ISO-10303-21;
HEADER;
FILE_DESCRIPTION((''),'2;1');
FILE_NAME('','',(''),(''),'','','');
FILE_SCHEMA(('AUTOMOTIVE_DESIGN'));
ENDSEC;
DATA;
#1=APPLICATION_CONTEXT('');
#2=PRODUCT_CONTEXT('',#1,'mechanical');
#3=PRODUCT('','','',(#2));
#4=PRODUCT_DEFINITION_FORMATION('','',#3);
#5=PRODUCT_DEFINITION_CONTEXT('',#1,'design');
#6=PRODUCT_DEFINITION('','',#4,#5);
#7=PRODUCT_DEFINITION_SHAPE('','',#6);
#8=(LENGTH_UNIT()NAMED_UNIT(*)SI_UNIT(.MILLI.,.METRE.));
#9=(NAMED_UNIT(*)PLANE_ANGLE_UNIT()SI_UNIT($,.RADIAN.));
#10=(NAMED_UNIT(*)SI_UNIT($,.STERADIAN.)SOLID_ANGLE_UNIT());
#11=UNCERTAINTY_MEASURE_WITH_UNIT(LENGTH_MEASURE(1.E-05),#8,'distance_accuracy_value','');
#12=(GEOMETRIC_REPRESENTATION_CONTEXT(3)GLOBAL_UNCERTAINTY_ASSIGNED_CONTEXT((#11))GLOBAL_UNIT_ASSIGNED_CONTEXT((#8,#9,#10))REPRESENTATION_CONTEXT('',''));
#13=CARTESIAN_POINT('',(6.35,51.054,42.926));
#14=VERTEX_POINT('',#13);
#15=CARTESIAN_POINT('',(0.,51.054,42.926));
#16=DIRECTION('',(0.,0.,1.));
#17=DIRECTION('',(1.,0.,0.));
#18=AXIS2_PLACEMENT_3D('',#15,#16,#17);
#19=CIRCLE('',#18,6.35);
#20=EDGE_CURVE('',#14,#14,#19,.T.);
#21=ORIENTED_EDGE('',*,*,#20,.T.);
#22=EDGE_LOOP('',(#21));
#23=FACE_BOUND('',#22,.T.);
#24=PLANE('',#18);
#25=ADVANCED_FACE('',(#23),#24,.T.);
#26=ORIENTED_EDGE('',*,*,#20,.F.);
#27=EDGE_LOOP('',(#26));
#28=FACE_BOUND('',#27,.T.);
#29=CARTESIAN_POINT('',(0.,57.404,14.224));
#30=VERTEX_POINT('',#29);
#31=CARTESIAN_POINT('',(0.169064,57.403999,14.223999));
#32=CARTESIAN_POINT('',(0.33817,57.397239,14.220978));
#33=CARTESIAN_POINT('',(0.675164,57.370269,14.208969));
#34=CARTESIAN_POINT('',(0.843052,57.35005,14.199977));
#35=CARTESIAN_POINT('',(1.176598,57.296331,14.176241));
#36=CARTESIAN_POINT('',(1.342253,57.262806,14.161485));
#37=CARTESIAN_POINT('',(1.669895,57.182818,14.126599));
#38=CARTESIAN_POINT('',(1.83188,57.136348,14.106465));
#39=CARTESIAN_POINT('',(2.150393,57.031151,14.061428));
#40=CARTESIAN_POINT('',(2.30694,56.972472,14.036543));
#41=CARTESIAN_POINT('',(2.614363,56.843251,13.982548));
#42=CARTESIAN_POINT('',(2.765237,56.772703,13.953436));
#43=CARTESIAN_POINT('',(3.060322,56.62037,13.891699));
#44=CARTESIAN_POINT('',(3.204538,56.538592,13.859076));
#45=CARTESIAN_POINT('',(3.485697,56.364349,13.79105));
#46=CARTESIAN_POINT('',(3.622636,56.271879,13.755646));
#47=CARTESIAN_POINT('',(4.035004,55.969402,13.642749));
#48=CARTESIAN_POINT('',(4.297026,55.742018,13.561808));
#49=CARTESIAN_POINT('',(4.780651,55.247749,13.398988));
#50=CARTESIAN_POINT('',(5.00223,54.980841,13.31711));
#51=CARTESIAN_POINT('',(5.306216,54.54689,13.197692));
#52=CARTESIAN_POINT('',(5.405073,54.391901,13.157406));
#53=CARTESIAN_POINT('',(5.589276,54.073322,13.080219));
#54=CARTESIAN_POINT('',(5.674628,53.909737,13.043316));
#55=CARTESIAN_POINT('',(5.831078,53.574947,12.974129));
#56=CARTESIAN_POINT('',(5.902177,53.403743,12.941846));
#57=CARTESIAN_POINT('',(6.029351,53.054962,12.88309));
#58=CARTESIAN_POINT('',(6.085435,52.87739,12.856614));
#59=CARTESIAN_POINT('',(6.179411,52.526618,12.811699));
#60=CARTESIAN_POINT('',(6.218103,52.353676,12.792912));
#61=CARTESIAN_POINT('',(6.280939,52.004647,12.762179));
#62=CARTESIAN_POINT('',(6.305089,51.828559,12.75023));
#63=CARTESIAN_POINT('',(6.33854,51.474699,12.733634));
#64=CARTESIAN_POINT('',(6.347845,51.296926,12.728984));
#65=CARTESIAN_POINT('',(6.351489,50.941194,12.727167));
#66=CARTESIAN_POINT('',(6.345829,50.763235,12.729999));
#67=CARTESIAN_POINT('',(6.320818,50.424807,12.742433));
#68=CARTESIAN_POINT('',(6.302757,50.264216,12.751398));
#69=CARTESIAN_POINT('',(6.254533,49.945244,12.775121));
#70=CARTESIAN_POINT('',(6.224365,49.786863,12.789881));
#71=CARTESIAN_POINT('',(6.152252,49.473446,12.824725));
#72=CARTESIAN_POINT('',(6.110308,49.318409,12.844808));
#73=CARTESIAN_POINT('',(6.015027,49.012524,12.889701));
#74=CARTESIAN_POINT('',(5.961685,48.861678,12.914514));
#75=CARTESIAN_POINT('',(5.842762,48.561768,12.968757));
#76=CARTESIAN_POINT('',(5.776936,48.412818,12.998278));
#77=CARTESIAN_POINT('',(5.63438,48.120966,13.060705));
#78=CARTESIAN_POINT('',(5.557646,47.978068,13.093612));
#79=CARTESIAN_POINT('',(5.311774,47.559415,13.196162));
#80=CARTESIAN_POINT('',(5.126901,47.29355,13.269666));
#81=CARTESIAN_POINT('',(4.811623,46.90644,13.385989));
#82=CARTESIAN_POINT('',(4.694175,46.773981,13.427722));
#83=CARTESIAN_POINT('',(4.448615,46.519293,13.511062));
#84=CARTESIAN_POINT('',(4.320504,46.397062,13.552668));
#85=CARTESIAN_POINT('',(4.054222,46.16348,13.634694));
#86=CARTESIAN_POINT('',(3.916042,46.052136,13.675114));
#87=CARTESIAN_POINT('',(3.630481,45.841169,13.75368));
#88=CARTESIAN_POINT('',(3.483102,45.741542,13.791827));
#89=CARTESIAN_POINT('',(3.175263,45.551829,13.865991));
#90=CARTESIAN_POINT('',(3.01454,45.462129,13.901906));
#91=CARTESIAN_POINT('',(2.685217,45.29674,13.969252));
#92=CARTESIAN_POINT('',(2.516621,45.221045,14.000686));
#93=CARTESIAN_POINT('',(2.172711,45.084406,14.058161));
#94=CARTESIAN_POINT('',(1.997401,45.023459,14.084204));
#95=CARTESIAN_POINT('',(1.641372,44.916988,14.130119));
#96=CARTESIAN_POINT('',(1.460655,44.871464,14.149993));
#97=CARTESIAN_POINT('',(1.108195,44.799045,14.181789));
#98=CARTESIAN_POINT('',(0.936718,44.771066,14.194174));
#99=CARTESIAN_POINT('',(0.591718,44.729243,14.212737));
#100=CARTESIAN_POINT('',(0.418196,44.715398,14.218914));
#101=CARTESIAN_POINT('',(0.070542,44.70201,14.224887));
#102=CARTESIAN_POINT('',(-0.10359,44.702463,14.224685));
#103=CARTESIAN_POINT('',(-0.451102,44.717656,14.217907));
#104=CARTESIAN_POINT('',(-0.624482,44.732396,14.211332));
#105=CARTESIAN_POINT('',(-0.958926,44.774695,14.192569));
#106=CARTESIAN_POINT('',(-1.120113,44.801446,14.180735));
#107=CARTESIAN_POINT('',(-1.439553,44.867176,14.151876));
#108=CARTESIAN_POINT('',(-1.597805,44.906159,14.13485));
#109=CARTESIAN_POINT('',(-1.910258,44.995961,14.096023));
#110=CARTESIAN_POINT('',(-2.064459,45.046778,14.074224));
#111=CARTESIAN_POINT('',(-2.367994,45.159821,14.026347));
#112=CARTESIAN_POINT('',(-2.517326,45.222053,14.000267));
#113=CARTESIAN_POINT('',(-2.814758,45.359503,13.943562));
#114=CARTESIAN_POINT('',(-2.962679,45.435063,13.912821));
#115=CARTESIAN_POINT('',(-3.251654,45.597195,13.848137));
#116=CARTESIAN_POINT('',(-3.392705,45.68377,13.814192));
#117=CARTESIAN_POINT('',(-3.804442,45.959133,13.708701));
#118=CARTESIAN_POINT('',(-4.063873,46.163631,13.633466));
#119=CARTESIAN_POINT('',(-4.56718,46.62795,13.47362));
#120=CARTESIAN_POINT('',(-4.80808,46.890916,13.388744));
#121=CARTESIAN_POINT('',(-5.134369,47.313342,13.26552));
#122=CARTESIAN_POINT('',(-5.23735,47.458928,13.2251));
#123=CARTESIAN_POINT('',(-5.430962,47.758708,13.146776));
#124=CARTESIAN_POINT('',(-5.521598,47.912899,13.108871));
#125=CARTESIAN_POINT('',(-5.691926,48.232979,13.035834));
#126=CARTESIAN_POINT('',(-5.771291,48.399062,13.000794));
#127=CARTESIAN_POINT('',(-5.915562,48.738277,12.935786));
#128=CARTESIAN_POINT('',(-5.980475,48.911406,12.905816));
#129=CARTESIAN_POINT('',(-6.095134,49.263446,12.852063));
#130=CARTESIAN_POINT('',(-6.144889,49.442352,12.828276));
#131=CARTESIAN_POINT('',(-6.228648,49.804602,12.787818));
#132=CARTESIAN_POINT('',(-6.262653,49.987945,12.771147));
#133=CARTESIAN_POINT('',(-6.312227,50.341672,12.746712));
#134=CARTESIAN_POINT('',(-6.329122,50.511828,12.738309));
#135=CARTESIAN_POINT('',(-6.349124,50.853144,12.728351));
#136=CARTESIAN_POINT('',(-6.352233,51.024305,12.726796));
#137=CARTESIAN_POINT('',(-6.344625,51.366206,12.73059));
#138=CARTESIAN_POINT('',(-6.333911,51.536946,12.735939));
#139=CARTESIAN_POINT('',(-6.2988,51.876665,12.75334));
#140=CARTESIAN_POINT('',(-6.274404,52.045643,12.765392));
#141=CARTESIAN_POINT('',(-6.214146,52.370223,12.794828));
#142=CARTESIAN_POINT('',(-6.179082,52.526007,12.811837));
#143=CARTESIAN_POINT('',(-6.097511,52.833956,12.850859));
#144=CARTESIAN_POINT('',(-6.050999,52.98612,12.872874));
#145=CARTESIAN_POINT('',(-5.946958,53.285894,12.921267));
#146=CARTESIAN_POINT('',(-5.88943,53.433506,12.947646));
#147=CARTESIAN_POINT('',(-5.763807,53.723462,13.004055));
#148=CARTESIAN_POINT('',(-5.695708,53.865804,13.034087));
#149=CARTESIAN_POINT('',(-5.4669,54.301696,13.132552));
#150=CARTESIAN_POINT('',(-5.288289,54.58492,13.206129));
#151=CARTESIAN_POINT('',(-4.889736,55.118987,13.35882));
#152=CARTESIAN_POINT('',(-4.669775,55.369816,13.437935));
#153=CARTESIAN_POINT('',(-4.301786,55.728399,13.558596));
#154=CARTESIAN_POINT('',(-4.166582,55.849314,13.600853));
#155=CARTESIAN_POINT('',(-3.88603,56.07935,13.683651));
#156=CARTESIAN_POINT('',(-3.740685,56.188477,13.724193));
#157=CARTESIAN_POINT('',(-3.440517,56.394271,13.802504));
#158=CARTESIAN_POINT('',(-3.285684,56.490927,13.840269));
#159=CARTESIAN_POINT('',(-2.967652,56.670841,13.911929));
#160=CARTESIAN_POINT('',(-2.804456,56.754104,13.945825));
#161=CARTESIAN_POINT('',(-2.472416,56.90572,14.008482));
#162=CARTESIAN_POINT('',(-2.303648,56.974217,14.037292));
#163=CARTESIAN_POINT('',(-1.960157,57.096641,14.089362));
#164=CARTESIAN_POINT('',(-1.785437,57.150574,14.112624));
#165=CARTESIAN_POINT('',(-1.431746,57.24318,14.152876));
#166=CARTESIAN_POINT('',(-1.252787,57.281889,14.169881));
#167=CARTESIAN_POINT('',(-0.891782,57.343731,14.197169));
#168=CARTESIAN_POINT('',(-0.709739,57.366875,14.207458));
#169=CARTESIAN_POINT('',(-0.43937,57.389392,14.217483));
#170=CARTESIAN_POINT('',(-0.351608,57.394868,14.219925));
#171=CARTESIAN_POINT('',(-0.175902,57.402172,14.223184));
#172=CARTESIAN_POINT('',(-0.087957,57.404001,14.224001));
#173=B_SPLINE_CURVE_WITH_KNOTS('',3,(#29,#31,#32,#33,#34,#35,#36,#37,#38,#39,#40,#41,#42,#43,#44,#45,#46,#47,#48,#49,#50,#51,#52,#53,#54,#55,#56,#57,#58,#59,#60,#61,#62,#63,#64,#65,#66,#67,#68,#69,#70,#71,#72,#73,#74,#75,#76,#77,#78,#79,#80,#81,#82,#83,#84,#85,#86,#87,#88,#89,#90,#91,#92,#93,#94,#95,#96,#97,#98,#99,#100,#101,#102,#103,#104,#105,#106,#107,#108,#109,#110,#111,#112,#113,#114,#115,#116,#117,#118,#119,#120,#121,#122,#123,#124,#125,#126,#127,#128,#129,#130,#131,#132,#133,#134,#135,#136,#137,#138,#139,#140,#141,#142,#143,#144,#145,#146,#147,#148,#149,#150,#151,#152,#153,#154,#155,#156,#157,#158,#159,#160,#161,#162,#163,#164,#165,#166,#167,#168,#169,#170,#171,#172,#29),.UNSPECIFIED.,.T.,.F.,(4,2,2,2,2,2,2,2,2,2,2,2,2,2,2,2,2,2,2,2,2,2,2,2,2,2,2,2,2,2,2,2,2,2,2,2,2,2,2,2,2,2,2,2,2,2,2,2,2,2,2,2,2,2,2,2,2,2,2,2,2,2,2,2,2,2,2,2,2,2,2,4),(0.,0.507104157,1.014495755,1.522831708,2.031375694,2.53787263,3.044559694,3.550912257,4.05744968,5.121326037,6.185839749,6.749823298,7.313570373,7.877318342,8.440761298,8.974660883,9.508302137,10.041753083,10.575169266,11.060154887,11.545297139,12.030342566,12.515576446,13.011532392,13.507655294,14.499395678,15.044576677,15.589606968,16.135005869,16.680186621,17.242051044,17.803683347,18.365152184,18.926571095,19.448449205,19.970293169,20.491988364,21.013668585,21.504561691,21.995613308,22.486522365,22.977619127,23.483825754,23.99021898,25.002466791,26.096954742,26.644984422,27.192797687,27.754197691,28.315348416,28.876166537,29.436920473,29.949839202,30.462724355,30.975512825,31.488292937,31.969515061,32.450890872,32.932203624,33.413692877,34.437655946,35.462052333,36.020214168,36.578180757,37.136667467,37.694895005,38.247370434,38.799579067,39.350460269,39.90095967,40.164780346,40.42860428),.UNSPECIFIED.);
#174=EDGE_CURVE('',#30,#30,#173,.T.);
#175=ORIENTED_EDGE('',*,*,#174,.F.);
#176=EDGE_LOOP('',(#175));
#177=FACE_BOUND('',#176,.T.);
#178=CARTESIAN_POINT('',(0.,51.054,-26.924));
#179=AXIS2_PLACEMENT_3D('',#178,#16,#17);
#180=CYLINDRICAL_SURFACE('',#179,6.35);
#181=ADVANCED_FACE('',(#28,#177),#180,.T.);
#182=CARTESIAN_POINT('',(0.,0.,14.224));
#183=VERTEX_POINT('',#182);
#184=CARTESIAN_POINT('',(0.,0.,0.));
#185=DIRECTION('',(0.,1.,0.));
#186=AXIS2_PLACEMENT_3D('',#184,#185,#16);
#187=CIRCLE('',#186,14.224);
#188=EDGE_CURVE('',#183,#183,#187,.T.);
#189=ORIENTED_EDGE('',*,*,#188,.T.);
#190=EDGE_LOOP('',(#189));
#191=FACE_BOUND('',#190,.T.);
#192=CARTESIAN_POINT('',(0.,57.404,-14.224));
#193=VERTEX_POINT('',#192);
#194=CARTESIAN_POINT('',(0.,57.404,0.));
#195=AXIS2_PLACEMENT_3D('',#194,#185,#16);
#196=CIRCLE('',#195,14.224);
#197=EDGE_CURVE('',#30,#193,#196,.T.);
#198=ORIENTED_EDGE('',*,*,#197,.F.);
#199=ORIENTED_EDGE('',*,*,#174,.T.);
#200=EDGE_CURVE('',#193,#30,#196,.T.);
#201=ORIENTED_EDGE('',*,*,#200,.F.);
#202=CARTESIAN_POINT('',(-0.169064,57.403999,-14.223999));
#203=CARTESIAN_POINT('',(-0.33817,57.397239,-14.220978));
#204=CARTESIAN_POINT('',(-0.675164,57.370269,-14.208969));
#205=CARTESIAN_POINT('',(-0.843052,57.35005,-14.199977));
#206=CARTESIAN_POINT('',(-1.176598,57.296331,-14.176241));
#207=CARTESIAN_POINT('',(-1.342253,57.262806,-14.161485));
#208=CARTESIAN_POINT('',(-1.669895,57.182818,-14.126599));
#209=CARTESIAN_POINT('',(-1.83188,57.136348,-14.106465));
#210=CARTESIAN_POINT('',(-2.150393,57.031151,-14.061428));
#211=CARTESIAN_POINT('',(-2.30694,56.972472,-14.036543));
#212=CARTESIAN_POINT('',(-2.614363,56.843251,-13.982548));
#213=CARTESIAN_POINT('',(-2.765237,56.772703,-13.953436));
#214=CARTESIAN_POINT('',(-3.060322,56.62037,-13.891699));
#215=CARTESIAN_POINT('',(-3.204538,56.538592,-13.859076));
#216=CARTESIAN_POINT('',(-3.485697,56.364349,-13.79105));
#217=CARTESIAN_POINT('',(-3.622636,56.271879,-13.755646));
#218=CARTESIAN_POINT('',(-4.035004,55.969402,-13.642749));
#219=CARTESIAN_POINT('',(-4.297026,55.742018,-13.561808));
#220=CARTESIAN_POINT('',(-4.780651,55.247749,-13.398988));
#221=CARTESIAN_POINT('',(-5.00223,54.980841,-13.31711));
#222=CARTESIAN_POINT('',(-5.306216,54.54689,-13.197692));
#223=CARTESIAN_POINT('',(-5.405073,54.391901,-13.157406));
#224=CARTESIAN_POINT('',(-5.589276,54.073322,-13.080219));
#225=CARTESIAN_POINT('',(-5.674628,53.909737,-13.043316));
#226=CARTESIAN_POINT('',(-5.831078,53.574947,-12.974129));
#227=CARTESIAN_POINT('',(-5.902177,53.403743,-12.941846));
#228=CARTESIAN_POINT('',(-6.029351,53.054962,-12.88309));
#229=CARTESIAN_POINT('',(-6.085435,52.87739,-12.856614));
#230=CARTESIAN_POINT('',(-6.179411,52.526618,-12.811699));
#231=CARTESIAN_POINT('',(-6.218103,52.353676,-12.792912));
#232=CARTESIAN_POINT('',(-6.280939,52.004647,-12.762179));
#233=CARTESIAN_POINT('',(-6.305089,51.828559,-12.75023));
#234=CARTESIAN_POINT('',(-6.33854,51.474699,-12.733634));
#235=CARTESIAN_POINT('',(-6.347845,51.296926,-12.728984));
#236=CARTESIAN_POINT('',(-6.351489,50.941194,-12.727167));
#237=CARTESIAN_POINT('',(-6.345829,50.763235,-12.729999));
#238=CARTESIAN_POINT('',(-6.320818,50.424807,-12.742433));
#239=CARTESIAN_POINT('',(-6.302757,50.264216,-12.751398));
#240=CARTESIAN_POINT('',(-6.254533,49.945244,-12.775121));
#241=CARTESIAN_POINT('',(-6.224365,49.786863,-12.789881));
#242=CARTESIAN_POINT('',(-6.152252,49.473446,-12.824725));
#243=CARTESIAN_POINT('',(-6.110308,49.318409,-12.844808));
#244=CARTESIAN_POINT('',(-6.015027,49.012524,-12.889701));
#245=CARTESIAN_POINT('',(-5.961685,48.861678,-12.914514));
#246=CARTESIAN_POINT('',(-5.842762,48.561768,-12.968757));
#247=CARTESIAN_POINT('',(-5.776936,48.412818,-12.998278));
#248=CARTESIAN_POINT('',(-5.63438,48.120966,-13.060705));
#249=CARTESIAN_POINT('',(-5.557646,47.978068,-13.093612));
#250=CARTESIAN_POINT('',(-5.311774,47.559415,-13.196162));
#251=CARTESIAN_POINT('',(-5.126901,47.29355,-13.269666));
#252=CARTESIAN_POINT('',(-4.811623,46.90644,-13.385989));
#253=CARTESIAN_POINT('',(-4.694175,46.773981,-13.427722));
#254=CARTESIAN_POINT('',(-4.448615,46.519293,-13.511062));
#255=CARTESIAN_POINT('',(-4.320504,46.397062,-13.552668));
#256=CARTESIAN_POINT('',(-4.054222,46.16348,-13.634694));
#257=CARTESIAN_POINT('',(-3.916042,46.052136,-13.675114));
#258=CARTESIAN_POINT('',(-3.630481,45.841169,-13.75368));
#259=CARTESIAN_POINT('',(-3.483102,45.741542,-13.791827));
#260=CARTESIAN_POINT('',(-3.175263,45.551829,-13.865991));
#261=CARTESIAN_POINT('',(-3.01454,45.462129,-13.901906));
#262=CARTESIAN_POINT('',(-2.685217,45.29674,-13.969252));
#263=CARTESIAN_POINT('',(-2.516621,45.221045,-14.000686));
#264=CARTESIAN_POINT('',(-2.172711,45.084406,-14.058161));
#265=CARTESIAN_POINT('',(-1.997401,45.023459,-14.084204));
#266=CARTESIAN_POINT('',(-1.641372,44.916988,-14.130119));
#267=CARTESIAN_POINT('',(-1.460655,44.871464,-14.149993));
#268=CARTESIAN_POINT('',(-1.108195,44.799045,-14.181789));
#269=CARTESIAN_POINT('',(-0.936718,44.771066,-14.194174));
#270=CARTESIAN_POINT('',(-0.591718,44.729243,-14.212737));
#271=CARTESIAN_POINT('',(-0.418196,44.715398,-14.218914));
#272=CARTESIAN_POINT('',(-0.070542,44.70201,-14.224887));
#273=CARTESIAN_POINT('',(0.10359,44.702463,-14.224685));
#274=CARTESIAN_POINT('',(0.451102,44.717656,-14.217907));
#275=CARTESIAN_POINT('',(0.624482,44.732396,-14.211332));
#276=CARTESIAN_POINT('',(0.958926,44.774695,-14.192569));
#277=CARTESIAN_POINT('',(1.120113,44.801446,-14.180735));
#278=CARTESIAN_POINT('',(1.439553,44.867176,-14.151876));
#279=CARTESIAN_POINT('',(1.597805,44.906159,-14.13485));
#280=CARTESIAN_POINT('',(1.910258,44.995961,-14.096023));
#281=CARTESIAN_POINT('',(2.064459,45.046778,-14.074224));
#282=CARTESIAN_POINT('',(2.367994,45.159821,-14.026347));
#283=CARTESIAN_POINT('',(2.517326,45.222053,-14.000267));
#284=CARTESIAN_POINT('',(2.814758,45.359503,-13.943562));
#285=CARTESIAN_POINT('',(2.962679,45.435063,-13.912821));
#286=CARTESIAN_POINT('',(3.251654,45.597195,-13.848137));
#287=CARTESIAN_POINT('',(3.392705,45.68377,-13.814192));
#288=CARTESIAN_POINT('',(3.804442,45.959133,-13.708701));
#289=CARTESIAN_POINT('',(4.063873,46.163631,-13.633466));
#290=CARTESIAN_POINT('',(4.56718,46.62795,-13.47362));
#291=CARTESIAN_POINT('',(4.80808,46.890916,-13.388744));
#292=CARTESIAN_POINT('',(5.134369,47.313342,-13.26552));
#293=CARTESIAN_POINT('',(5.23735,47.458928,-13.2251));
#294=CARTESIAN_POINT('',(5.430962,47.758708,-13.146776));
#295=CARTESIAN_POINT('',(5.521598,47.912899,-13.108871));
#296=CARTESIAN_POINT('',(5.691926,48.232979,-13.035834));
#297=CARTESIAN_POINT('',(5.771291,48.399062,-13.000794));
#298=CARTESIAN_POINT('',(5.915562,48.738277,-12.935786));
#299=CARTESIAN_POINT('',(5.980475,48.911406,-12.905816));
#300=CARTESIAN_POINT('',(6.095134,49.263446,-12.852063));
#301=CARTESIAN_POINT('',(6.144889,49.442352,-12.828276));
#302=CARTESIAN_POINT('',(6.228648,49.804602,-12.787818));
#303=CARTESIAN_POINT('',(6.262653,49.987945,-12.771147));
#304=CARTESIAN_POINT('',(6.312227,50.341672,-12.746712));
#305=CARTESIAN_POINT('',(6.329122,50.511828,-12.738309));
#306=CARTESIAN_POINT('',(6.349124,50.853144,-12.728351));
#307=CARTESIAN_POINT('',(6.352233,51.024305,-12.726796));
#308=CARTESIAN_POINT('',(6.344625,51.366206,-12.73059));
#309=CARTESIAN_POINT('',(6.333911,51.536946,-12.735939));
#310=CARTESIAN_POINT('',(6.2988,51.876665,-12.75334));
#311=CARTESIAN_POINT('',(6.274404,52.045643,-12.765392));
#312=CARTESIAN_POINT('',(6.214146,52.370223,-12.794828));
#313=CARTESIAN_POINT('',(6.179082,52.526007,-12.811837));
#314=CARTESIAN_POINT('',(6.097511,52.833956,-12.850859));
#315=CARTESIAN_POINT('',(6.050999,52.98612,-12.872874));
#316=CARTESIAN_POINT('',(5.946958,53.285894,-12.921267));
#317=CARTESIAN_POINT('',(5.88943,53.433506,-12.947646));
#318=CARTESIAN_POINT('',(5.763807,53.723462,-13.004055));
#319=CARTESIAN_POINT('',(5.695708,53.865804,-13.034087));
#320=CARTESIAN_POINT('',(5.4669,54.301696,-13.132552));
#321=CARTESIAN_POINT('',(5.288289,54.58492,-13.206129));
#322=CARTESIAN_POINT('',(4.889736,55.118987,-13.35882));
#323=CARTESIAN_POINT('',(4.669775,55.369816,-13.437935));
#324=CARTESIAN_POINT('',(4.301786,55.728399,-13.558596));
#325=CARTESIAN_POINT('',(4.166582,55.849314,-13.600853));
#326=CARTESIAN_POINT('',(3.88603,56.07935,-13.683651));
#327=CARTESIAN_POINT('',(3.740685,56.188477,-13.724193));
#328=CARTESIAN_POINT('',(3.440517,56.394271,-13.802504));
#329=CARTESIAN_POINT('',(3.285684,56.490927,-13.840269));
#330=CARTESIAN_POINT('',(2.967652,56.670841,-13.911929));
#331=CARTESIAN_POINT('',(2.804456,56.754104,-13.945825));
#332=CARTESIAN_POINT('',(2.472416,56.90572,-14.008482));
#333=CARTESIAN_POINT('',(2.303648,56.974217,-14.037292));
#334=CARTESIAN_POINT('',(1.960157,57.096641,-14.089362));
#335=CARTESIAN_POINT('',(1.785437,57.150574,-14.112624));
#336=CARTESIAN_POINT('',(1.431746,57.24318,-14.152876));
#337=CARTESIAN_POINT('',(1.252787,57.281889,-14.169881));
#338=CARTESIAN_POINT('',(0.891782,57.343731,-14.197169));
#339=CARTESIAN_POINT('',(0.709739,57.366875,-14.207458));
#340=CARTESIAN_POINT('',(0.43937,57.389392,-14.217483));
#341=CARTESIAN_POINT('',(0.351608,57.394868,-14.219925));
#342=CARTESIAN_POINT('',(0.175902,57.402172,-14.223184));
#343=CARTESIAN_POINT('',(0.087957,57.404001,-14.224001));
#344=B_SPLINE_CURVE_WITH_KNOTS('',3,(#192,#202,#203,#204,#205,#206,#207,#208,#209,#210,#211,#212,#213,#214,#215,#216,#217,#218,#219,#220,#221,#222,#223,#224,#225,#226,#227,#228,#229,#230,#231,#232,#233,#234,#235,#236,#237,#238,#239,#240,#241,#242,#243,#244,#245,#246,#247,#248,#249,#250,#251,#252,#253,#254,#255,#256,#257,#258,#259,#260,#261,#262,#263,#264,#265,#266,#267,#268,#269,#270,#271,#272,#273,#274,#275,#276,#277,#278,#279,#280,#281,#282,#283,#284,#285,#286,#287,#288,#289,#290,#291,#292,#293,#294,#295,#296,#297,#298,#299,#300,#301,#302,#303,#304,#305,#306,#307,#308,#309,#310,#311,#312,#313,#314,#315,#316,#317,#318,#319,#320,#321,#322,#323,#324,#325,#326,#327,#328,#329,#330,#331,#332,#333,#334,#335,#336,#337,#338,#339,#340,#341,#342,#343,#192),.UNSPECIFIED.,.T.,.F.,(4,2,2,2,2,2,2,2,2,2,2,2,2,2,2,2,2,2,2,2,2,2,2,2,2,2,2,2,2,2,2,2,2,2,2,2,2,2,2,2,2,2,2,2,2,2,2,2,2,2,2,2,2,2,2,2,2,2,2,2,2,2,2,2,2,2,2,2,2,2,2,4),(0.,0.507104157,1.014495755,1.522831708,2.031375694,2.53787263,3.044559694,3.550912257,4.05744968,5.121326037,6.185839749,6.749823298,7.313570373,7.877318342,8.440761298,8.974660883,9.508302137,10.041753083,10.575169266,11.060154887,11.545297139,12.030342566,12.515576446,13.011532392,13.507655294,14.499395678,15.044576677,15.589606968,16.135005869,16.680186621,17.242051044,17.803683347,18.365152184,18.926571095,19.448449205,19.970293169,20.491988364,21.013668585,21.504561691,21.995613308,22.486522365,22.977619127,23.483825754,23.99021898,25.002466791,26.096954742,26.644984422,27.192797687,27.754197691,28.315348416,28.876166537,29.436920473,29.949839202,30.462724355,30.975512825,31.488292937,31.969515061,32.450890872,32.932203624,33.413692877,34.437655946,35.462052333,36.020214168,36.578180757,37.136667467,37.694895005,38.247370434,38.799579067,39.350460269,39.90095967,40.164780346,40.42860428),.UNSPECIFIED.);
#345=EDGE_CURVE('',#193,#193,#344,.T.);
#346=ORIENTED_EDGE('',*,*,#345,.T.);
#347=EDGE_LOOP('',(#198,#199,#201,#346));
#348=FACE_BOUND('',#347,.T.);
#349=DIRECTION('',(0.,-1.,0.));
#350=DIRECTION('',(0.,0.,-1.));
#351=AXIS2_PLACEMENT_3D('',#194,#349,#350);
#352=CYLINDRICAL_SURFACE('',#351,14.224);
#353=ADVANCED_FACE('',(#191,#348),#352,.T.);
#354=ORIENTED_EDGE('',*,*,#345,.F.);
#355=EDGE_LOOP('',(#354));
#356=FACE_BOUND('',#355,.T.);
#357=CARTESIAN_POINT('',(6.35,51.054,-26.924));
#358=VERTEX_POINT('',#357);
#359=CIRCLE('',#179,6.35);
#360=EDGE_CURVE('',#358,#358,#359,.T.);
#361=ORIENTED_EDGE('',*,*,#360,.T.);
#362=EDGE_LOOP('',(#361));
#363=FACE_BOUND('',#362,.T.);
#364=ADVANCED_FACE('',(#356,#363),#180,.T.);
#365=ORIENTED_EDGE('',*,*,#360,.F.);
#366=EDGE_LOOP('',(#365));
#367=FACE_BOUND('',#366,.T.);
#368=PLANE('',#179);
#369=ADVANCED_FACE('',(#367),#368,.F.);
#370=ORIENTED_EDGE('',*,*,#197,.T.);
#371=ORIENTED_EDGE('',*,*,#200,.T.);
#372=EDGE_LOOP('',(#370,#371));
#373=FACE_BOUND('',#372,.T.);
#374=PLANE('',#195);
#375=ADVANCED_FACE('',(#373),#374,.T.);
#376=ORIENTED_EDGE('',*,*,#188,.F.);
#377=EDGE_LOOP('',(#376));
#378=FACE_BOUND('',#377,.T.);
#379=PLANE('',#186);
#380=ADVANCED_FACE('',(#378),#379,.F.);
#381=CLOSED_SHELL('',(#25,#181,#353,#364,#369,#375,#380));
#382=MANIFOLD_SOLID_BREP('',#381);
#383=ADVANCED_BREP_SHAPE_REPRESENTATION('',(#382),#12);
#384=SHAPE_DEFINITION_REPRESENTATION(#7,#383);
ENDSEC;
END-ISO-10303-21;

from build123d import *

# Parameters (mm, degrees)
SKETCH2_R                = 14.224
BOSS_EXTRUDE1_DEPTH      = 57.404
BOSS_EXTRUDE2_DEPTH      = 28.702
BOSS_EXTRUDE2_DEPTH_BACK = 41.148
SKETCH3_R                = 6.35


with BuildPart() as part:
    # Sketch2 → Boss-Extrude1 (new body)
    with BuildSketch(Plane(origin=(0, 0, 0), x_dir=(1, 0, 0), z_dir=(0, 1, 0))):
        with Locations(Location((0, 0, 0), (0, 0, 270))):
            Circle(SKETCH2_R)
    extrude(amount=BOSS_EXTRUDE1_DEPTH)

    # Sketch3 → Boss-Extrude2 (add, two sides: drawn at the far end of the back side and taken through both)
    with BuildSketch(Plane.XY.offset(14.224).offset(-BOSS_EXTRUDE2_DEPTH_BACK)):
        with Locations((0, 51.054)):
            Circle(SKETCH3_R)
    extrude(amount=BOSS_EXTRUDE2_DEPTH + BOSS_EXTRUDE2_DEPTH_BACK)


solid = part.part
